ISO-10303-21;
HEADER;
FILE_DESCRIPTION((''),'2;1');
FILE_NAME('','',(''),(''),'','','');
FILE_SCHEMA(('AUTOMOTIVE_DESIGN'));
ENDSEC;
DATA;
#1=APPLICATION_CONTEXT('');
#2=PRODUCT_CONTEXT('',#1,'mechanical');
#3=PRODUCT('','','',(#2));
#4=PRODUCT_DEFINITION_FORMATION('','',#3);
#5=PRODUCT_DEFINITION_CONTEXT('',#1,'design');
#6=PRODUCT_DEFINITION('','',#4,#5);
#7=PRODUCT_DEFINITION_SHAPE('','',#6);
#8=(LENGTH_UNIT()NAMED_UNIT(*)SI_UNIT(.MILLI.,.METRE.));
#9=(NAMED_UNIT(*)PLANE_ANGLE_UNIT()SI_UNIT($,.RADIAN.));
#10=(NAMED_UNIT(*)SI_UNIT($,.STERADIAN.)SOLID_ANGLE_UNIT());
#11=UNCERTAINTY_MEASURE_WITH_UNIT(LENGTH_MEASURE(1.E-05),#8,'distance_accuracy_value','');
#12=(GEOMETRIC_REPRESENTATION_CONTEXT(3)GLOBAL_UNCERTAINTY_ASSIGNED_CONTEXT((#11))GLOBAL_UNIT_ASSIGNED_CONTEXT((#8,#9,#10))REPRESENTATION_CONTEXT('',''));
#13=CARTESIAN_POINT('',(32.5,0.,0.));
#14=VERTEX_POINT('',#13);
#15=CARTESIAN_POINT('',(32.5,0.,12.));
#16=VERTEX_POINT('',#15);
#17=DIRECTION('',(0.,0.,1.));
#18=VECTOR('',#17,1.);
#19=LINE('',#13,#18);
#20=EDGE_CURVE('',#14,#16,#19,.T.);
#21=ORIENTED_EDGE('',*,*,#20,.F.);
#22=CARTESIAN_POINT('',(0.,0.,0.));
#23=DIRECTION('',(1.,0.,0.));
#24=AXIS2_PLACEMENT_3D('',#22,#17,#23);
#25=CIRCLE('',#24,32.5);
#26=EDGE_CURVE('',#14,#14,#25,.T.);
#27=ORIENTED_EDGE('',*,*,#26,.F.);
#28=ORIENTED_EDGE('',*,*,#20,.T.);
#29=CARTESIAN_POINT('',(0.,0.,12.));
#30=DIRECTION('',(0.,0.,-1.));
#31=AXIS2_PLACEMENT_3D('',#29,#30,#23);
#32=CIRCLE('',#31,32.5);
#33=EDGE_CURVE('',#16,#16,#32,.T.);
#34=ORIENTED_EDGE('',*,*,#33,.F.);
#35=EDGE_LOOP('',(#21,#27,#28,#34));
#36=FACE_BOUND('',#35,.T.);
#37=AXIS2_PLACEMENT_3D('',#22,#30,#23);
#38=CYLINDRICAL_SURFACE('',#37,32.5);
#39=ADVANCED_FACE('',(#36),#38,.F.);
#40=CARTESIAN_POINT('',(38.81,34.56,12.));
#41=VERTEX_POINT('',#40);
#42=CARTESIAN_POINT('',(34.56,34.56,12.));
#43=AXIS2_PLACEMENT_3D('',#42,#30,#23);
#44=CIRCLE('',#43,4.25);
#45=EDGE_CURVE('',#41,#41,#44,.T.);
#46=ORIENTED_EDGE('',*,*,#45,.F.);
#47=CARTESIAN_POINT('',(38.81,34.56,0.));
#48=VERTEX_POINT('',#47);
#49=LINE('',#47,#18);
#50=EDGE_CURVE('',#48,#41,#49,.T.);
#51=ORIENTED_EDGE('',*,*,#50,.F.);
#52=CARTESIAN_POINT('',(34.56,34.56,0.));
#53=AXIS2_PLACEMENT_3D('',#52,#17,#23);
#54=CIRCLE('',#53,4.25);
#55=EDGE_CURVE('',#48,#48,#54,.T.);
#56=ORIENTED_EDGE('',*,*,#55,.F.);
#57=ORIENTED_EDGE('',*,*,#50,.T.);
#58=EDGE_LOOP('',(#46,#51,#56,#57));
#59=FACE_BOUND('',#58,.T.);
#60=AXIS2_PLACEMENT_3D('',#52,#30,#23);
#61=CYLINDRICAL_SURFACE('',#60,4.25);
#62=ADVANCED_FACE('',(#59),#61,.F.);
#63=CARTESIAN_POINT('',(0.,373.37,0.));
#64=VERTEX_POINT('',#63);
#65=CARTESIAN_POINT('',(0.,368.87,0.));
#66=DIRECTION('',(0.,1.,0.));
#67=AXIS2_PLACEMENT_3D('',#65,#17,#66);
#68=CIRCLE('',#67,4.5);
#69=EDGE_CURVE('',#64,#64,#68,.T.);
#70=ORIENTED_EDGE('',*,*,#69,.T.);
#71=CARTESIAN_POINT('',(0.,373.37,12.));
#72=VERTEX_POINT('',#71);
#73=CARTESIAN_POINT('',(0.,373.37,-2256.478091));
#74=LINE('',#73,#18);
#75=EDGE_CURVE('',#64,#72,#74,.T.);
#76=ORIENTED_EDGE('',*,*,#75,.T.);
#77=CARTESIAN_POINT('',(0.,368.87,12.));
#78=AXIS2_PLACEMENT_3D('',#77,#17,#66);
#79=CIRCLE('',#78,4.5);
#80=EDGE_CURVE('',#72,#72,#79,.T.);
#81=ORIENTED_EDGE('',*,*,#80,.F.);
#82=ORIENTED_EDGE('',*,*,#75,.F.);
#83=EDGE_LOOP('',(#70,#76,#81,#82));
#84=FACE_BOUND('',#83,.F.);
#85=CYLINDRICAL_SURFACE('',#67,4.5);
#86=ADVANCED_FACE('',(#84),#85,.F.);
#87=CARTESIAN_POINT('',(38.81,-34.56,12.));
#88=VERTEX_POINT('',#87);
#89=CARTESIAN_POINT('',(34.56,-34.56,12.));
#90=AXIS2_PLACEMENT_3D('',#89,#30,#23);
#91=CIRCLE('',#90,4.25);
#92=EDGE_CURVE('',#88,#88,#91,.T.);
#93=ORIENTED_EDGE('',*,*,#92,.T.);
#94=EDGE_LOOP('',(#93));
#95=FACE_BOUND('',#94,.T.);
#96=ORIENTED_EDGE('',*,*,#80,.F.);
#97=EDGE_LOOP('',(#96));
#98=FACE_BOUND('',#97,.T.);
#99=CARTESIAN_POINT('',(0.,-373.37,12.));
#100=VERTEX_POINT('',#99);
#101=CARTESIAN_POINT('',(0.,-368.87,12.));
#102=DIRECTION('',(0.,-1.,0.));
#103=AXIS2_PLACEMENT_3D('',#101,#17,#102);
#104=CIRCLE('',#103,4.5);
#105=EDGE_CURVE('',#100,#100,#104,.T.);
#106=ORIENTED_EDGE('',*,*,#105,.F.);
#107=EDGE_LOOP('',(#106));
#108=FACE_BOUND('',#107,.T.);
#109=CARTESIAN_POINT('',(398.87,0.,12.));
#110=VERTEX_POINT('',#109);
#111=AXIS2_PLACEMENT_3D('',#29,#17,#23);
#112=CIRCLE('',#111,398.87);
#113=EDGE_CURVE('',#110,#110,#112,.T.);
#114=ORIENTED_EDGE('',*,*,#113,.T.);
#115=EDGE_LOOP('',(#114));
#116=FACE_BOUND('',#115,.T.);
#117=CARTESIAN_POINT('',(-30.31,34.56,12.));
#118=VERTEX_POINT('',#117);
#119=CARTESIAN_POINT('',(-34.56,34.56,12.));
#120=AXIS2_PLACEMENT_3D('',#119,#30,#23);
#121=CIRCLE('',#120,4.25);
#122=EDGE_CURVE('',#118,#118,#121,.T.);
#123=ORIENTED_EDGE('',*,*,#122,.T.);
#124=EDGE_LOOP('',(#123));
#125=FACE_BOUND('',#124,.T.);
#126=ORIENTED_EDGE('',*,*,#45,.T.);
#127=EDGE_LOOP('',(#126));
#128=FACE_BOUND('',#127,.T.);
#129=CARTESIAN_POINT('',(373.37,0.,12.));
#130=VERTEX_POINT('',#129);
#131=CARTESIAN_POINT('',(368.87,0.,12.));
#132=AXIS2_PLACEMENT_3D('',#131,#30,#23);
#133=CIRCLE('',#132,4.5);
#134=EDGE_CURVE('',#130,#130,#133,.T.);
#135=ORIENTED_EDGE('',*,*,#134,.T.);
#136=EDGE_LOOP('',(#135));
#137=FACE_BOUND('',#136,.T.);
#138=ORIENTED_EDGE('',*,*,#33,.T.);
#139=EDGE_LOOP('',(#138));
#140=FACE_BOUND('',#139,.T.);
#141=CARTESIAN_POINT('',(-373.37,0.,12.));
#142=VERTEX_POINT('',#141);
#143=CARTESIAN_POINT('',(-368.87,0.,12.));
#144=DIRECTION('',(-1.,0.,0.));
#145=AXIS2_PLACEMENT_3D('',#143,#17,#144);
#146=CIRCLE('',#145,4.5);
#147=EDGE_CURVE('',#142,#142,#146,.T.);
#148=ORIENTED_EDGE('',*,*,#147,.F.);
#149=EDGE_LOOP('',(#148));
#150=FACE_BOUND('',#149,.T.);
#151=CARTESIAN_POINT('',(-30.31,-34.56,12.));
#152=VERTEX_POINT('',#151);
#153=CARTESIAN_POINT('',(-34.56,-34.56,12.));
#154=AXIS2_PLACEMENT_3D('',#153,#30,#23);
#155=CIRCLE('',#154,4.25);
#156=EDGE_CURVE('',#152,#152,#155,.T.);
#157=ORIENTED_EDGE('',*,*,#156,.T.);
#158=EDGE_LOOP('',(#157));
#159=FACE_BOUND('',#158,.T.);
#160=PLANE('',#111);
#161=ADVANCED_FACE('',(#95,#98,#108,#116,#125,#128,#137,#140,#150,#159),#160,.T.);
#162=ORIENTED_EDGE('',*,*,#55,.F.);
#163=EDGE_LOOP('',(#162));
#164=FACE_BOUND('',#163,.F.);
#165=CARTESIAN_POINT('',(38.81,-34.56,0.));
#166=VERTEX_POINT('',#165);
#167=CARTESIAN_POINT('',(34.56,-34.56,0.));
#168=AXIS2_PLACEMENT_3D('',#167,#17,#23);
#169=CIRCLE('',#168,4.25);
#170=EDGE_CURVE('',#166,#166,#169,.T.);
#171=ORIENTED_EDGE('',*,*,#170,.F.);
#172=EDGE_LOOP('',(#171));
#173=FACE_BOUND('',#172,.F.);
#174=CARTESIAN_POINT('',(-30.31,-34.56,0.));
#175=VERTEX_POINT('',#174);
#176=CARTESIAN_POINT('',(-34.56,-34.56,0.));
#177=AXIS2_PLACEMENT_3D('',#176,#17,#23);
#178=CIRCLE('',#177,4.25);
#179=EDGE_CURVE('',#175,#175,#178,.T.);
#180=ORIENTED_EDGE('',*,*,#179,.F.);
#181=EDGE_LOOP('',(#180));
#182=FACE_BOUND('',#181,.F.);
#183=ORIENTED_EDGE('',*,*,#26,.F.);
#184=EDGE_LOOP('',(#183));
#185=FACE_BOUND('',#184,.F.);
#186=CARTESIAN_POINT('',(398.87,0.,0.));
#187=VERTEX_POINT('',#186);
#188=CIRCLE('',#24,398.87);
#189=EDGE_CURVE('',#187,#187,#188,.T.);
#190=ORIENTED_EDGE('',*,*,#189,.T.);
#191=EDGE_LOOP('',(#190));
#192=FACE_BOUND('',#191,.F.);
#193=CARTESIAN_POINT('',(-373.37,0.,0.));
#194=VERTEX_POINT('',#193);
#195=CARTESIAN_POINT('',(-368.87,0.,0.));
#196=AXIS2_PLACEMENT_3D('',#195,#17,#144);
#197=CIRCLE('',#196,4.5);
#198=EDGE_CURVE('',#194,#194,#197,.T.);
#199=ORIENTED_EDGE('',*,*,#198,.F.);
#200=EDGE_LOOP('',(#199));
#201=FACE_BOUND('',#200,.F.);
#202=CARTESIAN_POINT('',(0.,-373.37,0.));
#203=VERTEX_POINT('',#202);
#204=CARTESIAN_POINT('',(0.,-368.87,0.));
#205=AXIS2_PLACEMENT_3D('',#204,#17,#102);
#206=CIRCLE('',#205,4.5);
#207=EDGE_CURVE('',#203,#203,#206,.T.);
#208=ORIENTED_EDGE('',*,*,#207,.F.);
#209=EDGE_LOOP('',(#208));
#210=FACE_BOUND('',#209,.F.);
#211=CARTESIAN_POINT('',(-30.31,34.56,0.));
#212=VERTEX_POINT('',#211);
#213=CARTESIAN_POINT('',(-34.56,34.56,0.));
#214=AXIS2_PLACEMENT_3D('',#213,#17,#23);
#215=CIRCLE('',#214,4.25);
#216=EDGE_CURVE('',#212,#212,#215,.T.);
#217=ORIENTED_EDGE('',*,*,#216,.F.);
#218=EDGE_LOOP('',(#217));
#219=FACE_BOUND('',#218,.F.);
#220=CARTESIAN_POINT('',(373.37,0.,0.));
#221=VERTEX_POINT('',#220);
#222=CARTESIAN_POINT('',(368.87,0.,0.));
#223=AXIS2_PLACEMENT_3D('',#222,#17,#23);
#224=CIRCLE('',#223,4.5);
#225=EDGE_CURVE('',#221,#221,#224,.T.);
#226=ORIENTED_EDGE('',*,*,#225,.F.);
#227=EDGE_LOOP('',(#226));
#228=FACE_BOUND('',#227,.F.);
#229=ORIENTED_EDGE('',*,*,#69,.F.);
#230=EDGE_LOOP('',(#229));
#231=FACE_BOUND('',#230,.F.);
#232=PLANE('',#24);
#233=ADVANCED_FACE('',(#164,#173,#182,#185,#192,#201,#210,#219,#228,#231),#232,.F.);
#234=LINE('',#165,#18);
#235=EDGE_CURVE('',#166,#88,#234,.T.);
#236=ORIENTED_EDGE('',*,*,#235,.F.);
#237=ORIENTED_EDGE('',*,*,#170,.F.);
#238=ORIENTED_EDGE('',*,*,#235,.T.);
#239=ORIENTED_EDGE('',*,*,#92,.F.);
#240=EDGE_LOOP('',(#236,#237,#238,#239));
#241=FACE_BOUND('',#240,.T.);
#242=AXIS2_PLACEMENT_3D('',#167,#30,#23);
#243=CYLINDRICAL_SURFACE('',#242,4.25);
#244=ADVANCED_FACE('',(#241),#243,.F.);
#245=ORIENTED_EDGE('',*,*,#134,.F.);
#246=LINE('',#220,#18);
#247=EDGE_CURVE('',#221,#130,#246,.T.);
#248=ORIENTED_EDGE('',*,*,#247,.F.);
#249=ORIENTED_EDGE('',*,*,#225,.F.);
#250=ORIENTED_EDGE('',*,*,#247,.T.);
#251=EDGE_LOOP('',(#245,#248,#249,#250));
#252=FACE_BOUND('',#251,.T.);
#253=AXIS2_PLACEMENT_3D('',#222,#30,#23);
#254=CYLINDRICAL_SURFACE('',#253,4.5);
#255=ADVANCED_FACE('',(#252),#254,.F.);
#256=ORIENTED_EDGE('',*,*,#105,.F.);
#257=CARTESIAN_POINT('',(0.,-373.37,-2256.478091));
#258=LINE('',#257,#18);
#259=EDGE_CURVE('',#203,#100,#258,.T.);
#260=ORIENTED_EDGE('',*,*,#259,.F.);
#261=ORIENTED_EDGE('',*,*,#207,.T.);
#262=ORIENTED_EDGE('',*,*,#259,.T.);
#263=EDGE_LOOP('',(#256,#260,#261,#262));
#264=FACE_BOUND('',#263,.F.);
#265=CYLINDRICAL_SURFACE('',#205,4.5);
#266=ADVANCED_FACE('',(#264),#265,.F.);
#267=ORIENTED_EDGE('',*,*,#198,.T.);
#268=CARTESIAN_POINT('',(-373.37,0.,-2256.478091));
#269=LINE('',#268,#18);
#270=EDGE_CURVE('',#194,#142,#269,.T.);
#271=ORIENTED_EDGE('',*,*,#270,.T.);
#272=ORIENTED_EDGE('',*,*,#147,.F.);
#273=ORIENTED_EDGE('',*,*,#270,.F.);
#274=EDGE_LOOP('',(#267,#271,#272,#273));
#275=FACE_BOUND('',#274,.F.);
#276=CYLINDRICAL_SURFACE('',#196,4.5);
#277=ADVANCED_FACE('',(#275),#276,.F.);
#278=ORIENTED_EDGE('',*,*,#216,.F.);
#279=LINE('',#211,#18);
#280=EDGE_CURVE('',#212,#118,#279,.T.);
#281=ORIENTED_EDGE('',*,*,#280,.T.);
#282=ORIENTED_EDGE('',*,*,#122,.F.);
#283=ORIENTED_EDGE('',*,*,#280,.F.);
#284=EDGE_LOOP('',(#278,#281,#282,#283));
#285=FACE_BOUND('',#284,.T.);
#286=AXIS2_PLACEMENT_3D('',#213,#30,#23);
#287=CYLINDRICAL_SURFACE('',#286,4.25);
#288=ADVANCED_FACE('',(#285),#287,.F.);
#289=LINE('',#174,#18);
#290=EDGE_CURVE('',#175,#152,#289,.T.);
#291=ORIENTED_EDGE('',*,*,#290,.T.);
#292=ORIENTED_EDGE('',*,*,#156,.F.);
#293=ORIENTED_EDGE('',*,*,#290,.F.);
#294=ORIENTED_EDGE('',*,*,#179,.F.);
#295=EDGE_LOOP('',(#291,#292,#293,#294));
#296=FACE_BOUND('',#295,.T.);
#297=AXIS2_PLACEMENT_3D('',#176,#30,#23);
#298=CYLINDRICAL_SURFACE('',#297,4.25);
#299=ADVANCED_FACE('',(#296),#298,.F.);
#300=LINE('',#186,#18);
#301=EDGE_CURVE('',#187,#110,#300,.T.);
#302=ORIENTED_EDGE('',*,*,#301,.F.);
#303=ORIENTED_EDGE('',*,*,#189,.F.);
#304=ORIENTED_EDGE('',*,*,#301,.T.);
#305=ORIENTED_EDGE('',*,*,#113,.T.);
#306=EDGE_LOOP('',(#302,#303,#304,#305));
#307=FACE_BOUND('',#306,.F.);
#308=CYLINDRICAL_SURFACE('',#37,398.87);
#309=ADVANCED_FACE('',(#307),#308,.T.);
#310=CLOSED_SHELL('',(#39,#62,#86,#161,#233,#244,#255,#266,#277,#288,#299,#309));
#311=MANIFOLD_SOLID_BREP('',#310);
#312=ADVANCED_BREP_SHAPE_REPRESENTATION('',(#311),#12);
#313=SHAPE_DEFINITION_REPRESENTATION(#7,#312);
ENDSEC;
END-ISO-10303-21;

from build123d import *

# Parameters (mm, degrees)
SKETCH089_R           = 398.87
PAD013_DEPTH          = 12
SKETCH090_R           = 4.25
POCKET056_DEPTH       = 0.001
POCKET056_DEPTH_BACK  = 12.001
SKETCH091_R           = 32.5
POCKET057_DEPTH       = 0.001
POCKET057_DEPTH_BACK  = 12.001
SKETCH092_R           = 4.5
POCKET058_DEPTH       = 2256.478091
POCKET058_DEPTH_BACK  = 2268.478091
POLARPATTERN016_COUNT = 4


with BuildPart() as part:
    # Sketch089 → Pad013 (new body)
    with BuildSketch(Plane.XY):
        Circle(SKETCH089_R)
    extrude(amount=PAD013_DEPTH)

    # Sketch090 → Pocket056 (cut, two sides)
    with BuildSketch(Plane.XY) as pocket056_sk:
        with Locations((34.56, 34.56)):
            Circle(SKETCH090_R)
        with Locations((-34.56, 34.56)):
            Circle(SKETCH090_R)
        with Locations((-34.56, -34.56)):
            Circle(SKETCH090_R)
        with Locations((34.56, -34.56)):
            Circle(SKETCH090_R)
    extrude(amount=-POCKET056_DEPTH, mode=Mode.SUBTRACT)
    extrude(pocket056_sk.sketch, amount=POCKET056_DEPTH_BACK, mode=Mode.SUBTRACT)

    # Sketch091 → Pocket057 (cut, two sides)
    with BuildSketch(Plane.XY) as pocket057_sk:
        Circle(SKETCH091_R)
    extrude(amount=-POCKET057_DEPTH, mode=Mode.SUBTRACT)
    extrude(pocket057_sk.sketch, amount=POCKET057_DEPTH_BACK, mode=Mode.SUBTRACT)

    # Sketch092 → Pocket058 (cut, two sides)
    with BuildSketch(Plane(origin=(368.87, 0, 0), x_dir=(1, 0, 0), z_dir=(0, 0, 1))) as pocket058_sk:
        Circle(SKETCH092_R)
    pocket058 = extrude(amount=-POCKET058_DEPTH, mode=Mode.SUBTRACT) + extrude(pocket058_sk.sketch, amount=POCKET058_DEPTH_BACK, mode=Mode.SUBTRACT)

    # PolarPattern016: Pocket058 ×4 about axis
    polarpattern016_axis = Axis((0, 0, 0), (0, 0, 1))
    for i in range(1, POLARPATTERN016_COUNT):
        add(pocket058.rotate(polarpattern016_axis, i * 360 / POLARPATTERN016_COUNT), mode=Mode.SUBTRACT)


solid = part.part
